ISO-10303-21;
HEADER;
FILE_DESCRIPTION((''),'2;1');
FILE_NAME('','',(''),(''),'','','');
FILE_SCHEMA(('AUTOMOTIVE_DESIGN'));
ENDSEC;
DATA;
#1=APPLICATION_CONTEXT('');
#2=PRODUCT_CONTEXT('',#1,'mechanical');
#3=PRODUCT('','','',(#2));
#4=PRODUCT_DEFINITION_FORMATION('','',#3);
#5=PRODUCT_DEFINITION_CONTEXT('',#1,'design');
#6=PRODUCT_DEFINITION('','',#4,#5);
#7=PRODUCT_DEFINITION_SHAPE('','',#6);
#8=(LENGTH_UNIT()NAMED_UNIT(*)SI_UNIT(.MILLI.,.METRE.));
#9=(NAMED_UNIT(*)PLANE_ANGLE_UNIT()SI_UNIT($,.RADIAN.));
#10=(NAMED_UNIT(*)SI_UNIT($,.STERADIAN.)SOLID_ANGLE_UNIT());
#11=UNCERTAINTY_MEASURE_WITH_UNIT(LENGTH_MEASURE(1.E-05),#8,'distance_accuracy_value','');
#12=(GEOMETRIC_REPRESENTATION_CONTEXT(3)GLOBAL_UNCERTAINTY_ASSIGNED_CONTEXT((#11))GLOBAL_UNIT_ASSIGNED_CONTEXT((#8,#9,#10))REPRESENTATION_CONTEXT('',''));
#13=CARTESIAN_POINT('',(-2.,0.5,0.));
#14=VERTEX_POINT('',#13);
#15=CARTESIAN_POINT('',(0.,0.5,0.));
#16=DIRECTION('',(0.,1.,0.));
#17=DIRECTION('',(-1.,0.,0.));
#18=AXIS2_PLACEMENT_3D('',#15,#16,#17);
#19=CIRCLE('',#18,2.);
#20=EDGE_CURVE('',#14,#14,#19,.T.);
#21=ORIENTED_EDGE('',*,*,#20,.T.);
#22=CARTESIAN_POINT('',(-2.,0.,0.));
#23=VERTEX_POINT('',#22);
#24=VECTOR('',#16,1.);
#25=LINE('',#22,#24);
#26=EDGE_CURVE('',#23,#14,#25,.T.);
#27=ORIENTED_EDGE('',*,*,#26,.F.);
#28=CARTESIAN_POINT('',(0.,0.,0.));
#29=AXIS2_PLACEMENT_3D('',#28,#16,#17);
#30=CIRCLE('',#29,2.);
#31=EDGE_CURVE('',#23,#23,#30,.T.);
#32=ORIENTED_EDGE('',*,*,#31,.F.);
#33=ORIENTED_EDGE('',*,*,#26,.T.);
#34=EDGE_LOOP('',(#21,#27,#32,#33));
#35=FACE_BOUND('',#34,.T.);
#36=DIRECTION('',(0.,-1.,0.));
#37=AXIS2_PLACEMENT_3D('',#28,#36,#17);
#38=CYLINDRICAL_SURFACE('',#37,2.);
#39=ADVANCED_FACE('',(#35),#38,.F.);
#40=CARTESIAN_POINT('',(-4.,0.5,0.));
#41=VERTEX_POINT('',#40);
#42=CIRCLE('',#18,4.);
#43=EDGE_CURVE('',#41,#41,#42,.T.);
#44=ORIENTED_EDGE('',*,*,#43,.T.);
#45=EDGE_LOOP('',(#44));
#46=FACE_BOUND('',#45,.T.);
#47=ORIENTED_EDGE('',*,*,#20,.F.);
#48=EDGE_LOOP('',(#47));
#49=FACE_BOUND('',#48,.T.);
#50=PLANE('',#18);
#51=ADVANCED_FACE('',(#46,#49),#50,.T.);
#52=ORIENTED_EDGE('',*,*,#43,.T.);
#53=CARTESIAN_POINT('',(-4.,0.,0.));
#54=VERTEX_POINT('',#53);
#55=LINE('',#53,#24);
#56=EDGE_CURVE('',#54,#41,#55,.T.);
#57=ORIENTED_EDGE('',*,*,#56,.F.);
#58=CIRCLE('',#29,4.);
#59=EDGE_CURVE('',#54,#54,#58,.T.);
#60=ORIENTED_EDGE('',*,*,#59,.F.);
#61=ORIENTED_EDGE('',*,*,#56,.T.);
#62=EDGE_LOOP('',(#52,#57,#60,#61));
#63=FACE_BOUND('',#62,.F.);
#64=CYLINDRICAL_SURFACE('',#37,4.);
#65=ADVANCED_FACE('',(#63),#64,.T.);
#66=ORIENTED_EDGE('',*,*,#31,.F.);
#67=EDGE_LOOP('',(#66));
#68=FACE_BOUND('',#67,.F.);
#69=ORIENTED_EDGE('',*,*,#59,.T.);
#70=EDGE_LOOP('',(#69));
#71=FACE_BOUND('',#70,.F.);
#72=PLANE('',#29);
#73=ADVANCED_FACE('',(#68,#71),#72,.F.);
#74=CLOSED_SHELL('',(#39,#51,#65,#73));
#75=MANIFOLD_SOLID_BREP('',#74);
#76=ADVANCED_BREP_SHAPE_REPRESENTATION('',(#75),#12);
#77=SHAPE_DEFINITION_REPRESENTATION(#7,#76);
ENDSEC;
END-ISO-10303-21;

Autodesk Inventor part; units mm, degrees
ref_plane "YZ Plane" through (0, 0, 0) normal (1, 0, 0) x (0, 1, 0)
ref_plane "XZ Plane" through (0, 0, 0) normal (0, 1, 0) x (-1, 0, 0)
ref_plane "XY Plane" through (0, 0, 0) normal (0, 0, 1) x (1, 0, 0)
sketch "Sketch1" plane through (0, 0, 0) normal (0, 1, 0) x (-1, 0, 0)
  circle A0 centre (0, 0) radius 2
  circle A1 centre (0, 0) radius 4
  dimension "d0" = 4
  dimension "d1" = 2
extrude "Extrusion1" add sketch "Sketch1" along normal blind 0.5
properties part number "Alatet3csavarhoz" material "Steel, Alloy"
